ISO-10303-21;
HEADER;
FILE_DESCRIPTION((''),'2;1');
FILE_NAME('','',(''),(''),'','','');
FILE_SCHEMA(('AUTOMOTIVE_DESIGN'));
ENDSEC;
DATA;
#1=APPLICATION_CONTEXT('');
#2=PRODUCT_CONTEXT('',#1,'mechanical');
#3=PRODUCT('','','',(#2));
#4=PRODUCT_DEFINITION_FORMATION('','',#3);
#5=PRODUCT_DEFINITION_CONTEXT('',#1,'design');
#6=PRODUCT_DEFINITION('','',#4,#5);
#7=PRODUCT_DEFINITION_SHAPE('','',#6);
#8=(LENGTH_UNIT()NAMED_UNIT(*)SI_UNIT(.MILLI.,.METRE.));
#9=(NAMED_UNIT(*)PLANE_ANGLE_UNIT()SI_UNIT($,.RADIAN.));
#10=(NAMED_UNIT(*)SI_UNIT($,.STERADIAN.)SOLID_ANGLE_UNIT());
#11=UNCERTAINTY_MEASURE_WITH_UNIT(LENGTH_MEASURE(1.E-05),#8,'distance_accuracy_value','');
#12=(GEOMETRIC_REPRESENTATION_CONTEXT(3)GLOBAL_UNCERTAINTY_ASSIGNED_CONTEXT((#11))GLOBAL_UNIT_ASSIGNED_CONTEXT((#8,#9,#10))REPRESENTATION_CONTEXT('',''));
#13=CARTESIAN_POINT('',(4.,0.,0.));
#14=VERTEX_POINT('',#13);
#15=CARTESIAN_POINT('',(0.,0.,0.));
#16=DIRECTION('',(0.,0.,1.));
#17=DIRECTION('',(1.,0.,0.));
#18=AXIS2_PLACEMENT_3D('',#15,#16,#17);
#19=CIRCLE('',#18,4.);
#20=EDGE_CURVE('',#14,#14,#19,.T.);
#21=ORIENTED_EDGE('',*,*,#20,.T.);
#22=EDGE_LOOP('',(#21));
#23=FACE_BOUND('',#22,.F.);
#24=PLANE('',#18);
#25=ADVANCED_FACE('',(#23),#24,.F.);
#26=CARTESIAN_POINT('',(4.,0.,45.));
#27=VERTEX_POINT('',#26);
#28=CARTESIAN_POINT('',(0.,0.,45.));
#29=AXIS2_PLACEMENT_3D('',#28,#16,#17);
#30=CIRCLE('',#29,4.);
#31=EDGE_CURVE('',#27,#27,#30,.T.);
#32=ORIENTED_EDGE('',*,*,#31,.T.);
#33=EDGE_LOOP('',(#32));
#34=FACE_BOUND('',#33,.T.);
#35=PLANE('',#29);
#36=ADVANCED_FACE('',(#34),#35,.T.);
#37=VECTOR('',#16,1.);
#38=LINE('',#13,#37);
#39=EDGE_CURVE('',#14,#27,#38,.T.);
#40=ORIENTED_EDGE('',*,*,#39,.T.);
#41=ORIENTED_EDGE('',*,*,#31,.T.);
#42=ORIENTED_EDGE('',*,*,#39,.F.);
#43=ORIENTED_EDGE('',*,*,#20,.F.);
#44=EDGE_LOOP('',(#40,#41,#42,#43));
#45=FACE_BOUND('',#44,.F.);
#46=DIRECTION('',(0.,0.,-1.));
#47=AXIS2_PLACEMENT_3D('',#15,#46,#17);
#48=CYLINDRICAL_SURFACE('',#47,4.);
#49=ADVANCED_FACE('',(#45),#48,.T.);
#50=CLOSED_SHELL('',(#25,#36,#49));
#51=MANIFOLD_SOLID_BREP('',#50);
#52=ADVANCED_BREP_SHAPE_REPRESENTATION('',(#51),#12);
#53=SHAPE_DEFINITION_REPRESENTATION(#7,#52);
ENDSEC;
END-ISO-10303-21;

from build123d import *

# Parameters (mm, degrees)
SKETCH1_R           = 4
BOSS_EXTRUDE1_DEPTH = 45


with BuildPart() as part:
    # Sketch1 → Boss-Extrude1 (new body)
    with BuildSketch(Plane.XY):
        Circle(SKETCH1_R)
    extrude(amount=BOSS_EXTRUDE1_DEPTH)


solid = part.part
